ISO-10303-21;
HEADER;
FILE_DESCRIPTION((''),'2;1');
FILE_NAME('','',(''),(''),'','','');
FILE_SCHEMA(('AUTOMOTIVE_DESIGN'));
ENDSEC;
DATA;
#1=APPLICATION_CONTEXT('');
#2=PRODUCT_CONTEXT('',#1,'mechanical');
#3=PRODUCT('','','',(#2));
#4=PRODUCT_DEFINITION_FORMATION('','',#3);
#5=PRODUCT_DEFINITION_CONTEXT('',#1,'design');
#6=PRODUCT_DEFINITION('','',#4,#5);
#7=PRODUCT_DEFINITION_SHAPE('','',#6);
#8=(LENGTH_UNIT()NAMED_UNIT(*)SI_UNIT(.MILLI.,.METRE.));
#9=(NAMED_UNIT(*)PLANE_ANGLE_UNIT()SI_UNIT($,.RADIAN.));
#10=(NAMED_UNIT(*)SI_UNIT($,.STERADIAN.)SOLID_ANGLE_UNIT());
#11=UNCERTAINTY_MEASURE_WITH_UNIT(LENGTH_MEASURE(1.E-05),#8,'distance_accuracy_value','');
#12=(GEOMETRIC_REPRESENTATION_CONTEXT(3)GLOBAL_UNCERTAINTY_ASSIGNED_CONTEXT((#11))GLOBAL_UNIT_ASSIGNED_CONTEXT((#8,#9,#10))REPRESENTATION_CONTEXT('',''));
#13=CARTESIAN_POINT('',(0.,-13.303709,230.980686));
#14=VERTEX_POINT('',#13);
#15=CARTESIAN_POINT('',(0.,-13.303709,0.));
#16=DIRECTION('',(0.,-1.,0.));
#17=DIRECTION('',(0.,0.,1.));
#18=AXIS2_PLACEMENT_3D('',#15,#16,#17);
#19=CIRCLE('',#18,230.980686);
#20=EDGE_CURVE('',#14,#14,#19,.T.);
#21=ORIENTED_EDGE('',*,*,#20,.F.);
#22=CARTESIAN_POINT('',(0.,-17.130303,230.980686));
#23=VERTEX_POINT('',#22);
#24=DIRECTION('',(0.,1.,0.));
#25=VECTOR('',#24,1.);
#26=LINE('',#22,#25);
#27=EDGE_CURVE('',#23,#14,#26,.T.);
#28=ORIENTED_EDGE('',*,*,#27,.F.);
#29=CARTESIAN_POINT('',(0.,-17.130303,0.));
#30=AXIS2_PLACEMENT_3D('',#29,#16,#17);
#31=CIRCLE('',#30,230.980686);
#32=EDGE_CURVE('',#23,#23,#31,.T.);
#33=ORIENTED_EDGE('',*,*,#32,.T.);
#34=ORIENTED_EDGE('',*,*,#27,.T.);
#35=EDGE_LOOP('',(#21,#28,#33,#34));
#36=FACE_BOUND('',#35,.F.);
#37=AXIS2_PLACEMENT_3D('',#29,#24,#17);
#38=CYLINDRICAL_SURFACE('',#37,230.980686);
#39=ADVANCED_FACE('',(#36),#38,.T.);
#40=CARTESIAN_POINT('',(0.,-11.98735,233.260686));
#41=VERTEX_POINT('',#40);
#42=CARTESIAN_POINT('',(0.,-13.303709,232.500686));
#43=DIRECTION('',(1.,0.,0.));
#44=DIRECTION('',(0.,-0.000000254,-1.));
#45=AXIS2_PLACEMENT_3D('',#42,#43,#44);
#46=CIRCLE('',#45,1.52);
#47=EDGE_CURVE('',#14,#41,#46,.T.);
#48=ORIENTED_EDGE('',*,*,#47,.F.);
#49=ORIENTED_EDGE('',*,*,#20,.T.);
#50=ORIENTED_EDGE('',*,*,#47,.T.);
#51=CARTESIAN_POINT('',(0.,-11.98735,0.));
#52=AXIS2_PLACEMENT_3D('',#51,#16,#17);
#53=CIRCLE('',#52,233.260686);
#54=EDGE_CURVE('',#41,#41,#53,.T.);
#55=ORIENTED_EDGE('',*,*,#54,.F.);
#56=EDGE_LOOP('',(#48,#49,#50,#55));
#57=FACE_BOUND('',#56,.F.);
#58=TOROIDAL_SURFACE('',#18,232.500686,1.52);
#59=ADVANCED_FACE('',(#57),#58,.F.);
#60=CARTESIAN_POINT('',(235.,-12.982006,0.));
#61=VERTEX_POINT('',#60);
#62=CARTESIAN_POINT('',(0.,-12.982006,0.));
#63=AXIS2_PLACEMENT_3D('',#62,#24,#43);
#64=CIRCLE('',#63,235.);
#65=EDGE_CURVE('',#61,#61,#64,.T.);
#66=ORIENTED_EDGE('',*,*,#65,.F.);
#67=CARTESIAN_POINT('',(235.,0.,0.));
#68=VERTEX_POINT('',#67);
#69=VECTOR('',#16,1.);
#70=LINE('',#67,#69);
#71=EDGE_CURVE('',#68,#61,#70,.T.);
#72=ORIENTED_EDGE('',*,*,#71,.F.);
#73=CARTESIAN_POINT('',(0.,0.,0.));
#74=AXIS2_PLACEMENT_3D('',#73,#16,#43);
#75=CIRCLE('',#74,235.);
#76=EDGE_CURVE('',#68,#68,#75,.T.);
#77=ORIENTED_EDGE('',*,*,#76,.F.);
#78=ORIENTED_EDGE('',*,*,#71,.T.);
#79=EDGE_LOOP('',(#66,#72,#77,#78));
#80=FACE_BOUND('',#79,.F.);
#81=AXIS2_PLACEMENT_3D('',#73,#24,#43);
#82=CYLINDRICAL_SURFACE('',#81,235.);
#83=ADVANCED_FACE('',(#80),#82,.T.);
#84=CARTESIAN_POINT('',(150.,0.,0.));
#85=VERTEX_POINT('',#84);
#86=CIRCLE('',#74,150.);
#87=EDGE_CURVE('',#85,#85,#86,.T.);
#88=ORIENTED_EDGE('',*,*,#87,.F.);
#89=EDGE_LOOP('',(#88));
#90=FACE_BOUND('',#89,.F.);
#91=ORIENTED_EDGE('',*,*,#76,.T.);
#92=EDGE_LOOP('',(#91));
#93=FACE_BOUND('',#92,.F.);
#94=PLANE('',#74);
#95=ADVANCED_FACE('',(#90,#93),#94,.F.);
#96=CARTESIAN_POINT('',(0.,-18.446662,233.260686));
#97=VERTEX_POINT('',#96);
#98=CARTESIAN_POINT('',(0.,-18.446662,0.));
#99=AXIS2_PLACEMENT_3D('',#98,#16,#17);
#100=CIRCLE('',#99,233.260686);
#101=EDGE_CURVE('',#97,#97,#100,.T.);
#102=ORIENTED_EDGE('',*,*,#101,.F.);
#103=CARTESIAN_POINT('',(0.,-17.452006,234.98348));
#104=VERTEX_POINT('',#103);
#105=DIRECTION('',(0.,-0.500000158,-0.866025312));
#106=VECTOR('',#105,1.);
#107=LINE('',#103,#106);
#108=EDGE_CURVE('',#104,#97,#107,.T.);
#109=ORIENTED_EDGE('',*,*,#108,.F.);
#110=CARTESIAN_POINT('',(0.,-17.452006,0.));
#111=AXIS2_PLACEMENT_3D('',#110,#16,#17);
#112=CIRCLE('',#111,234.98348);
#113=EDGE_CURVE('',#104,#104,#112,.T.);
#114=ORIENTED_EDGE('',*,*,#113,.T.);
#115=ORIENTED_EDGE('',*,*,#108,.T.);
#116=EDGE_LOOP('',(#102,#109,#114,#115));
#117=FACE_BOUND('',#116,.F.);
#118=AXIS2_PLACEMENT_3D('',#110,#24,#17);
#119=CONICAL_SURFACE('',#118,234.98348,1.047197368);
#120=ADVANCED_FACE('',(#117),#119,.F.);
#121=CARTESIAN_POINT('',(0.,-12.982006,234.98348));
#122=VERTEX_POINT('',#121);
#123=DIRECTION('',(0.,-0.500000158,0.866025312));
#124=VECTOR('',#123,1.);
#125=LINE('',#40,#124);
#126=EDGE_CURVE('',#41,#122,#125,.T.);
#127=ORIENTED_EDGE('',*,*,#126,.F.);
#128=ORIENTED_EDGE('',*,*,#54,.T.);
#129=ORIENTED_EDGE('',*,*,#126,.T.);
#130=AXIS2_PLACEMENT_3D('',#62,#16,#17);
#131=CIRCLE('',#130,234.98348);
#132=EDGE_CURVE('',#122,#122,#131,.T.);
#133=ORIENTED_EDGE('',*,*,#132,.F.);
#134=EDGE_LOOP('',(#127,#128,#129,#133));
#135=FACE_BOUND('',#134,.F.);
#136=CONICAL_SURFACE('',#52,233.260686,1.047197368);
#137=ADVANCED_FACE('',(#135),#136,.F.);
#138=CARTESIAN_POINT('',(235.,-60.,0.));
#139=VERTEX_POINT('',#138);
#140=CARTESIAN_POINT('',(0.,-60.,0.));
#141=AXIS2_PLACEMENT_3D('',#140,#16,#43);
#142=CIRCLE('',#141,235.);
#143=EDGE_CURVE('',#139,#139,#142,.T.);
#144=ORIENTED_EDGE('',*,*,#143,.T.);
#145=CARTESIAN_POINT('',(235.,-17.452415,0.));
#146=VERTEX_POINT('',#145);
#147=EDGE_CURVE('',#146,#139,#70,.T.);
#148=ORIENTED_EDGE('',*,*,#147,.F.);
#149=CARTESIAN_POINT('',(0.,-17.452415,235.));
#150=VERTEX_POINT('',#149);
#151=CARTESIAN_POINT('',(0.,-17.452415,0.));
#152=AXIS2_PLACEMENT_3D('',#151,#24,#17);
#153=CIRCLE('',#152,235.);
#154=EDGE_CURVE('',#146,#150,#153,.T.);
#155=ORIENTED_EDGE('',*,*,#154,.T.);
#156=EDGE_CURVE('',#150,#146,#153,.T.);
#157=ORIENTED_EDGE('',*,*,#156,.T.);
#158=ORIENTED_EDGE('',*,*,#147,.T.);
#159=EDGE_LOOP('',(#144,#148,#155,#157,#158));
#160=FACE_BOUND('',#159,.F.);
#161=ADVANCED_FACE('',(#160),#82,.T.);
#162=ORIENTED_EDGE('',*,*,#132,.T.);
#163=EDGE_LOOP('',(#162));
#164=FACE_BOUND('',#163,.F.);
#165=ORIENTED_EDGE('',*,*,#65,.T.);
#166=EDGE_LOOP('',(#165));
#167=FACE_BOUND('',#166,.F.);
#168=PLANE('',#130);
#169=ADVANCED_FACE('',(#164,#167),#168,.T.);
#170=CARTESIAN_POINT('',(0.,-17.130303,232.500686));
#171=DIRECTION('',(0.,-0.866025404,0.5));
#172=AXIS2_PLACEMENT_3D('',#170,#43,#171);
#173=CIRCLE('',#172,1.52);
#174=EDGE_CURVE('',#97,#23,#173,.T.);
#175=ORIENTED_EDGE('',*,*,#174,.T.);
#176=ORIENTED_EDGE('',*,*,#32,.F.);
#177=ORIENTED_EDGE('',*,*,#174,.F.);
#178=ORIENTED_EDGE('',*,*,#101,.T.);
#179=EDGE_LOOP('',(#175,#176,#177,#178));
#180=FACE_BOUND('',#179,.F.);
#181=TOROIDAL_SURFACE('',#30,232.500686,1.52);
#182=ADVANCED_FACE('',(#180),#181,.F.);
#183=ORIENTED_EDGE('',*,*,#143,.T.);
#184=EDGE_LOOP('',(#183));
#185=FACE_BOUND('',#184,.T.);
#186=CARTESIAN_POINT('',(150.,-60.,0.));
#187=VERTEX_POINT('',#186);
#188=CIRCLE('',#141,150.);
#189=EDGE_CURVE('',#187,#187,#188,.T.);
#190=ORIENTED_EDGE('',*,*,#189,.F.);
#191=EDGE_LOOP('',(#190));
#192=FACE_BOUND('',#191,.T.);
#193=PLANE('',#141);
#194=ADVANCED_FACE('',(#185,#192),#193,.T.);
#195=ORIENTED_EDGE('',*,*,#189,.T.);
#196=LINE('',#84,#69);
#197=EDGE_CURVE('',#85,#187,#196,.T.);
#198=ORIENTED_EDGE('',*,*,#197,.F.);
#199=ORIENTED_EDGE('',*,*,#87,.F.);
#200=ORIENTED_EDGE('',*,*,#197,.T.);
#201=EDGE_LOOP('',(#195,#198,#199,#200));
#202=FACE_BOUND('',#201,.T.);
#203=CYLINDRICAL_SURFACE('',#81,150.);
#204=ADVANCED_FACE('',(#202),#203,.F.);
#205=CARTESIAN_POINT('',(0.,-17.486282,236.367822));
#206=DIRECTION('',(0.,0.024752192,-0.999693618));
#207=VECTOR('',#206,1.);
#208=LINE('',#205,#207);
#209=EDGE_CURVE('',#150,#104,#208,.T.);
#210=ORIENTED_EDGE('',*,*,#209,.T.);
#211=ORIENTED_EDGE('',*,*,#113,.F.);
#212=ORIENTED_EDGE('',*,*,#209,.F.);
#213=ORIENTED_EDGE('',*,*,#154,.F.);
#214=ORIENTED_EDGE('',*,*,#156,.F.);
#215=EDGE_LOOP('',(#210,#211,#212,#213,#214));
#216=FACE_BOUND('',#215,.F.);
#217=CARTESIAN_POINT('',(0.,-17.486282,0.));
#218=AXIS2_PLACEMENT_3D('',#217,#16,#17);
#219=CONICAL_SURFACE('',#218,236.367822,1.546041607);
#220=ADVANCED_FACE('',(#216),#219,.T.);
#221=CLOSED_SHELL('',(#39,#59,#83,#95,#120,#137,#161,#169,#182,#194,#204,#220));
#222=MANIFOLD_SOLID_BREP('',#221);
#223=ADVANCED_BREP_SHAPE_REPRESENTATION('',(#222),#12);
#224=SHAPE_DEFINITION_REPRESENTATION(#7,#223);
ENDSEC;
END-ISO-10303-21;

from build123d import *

# Parameters (mm, degrees)
F0_R     = 235
F0_R_2   = 150
F1_DEPTH = 60


with BuildPart() as f1:
    # F0 (on Front) → F1 (new body)
    with BuildSketch(Plane.XZ):
        Circle(F0_R)
        Circle(F0_R_2, mode=Mode.SUBTRACT)
    extrude(amount=F1_DEPTH)

    # F2 (on Right) → F3 (revolve, cut)
    with BuildSketch(Plane.YZ):
        with BuildLine():
            Line((-17.486282, 236.367822), (-17.452006, 234.98348))
            Line((-17.452006, 234.98348), (-18.446662, 233.260686))
            ThreePointArc((-18.446662, 233.260686), (-18.446662, 231.740686), (-17.130303, 230.980686))
            Line((-17.130303, 230.980686), (-15.217006, 230.980686))
            Line((-15.217006, 230.980686), (-13.303709, 230.980686))
            ThreePointArc((-13.303709, 230.980686), (-11.98735, 231.740686), (-11.98735, 233.260686))
            Line((-11.98735, 233.260686), (-12.982006, 234.98348))
            Line((-12.982006, 234.98348), (-12.982006, 236.367822))
            Line((-12.982006, 236.367822), (-17.486282, 236.367822))
        make_face()
    revolve(axis=Axis((0, -68.413801, 0), (0, -1, 0)), mode=Mode.SUBTRACT)


solid = f1.part
